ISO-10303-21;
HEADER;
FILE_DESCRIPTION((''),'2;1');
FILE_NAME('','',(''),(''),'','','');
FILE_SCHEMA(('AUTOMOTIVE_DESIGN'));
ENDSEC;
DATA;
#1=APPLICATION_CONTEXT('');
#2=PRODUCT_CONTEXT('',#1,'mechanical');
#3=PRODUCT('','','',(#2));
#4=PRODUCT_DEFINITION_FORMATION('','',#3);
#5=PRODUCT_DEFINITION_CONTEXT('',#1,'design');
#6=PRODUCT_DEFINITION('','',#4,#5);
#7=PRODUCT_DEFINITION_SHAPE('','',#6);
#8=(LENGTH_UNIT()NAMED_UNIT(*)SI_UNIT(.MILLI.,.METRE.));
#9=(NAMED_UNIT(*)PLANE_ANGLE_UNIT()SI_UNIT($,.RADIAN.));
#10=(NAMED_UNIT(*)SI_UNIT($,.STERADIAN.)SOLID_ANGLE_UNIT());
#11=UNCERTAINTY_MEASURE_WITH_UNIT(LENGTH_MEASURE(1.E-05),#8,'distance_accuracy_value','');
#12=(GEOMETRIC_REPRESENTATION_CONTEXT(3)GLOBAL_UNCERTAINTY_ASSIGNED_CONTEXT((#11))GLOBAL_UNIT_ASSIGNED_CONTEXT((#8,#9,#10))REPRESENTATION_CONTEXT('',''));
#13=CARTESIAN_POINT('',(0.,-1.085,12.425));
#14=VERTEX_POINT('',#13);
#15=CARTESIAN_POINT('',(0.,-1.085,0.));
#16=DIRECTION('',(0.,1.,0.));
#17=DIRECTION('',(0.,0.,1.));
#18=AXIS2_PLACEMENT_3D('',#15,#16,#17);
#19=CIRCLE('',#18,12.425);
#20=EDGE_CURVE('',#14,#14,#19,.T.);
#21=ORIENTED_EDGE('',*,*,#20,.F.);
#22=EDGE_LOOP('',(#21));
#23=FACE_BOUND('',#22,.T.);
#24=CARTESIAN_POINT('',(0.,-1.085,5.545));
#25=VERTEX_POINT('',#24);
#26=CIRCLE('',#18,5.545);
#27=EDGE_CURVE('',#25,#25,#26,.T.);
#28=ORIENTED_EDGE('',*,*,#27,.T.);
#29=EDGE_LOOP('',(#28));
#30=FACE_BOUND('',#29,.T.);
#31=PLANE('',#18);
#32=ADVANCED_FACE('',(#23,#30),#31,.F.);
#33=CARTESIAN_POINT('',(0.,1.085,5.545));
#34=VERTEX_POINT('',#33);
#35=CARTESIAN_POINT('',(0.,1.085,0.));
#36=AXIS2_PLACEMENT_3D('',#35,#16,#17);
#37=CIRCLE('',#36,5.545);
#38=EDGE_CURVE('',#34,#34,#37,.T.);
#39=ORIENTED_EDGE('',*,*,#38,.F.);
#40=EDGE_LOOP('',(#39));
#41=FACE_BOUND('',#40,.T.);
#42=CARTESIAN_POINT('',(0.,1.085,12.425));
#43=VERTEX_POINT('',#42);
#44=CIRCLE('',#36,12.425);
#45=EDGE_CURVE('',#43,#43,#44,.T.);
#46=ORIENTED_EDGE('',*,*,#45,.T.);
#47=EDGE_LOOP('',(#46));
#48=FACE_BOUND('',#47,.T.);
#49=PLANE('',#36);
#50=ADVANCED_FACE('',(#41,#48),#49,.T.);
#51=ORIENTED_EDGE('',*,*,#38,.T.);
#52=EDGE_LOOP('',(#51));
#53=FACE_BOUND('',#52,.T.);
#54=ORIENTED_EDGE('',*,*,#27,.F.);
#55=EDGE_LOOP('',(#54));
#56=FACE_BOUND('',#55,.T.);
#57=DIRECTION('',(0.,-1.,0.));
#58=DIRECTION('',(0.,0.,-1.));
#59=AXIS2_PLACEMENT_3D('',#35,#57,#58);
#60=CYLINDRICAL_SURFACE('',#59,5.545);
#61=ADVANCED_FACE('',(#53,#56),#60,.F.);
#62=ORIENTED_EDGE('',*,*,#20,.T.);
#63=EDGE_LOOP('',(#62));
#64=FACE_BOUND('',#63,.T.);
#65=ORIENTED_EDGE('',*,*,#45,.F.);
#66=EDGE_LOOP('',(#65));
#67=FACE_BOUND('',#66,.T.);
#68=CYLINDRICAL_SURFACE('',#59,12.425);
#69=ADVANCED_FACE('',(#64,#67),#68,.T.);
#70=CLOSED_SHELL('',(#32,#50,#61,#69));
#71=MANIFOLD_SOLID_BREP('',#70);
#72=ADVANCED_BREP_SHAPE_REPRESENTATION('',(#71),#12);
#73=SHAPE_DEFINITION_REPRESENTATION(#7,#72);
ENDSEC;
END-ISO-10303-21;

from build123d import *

# Parameters (mm, degrees)
MAIN_SKETCH_R        = 12.425
MAIN_SKETCH_R_2      = 5.545
O_RING_EXTRUDE_DEPTH = 1.085


with BuildPart() as part:
    # Main Sketch → O-Ring Extrude (new, symmetric)
    with BuildSketch(Plane(origin=(0, 0, 0), x_dir=(1, 0, 0), z_dir=(0, 1, 0))):
        with Locations(Location((0, 0, 0), (0, 0, 270))):
            Circle(MAIN_SKETCH_R)
        with Locations(Location((0, 0, 0), (0, 0, 270))):
            Circle(MAIN_SKETCH_R_2, mode=Mode.SUBTRACT)
    extrude(amount=O_RING_EXTRUDE_DEPTH, both=True)


solid = part.part
